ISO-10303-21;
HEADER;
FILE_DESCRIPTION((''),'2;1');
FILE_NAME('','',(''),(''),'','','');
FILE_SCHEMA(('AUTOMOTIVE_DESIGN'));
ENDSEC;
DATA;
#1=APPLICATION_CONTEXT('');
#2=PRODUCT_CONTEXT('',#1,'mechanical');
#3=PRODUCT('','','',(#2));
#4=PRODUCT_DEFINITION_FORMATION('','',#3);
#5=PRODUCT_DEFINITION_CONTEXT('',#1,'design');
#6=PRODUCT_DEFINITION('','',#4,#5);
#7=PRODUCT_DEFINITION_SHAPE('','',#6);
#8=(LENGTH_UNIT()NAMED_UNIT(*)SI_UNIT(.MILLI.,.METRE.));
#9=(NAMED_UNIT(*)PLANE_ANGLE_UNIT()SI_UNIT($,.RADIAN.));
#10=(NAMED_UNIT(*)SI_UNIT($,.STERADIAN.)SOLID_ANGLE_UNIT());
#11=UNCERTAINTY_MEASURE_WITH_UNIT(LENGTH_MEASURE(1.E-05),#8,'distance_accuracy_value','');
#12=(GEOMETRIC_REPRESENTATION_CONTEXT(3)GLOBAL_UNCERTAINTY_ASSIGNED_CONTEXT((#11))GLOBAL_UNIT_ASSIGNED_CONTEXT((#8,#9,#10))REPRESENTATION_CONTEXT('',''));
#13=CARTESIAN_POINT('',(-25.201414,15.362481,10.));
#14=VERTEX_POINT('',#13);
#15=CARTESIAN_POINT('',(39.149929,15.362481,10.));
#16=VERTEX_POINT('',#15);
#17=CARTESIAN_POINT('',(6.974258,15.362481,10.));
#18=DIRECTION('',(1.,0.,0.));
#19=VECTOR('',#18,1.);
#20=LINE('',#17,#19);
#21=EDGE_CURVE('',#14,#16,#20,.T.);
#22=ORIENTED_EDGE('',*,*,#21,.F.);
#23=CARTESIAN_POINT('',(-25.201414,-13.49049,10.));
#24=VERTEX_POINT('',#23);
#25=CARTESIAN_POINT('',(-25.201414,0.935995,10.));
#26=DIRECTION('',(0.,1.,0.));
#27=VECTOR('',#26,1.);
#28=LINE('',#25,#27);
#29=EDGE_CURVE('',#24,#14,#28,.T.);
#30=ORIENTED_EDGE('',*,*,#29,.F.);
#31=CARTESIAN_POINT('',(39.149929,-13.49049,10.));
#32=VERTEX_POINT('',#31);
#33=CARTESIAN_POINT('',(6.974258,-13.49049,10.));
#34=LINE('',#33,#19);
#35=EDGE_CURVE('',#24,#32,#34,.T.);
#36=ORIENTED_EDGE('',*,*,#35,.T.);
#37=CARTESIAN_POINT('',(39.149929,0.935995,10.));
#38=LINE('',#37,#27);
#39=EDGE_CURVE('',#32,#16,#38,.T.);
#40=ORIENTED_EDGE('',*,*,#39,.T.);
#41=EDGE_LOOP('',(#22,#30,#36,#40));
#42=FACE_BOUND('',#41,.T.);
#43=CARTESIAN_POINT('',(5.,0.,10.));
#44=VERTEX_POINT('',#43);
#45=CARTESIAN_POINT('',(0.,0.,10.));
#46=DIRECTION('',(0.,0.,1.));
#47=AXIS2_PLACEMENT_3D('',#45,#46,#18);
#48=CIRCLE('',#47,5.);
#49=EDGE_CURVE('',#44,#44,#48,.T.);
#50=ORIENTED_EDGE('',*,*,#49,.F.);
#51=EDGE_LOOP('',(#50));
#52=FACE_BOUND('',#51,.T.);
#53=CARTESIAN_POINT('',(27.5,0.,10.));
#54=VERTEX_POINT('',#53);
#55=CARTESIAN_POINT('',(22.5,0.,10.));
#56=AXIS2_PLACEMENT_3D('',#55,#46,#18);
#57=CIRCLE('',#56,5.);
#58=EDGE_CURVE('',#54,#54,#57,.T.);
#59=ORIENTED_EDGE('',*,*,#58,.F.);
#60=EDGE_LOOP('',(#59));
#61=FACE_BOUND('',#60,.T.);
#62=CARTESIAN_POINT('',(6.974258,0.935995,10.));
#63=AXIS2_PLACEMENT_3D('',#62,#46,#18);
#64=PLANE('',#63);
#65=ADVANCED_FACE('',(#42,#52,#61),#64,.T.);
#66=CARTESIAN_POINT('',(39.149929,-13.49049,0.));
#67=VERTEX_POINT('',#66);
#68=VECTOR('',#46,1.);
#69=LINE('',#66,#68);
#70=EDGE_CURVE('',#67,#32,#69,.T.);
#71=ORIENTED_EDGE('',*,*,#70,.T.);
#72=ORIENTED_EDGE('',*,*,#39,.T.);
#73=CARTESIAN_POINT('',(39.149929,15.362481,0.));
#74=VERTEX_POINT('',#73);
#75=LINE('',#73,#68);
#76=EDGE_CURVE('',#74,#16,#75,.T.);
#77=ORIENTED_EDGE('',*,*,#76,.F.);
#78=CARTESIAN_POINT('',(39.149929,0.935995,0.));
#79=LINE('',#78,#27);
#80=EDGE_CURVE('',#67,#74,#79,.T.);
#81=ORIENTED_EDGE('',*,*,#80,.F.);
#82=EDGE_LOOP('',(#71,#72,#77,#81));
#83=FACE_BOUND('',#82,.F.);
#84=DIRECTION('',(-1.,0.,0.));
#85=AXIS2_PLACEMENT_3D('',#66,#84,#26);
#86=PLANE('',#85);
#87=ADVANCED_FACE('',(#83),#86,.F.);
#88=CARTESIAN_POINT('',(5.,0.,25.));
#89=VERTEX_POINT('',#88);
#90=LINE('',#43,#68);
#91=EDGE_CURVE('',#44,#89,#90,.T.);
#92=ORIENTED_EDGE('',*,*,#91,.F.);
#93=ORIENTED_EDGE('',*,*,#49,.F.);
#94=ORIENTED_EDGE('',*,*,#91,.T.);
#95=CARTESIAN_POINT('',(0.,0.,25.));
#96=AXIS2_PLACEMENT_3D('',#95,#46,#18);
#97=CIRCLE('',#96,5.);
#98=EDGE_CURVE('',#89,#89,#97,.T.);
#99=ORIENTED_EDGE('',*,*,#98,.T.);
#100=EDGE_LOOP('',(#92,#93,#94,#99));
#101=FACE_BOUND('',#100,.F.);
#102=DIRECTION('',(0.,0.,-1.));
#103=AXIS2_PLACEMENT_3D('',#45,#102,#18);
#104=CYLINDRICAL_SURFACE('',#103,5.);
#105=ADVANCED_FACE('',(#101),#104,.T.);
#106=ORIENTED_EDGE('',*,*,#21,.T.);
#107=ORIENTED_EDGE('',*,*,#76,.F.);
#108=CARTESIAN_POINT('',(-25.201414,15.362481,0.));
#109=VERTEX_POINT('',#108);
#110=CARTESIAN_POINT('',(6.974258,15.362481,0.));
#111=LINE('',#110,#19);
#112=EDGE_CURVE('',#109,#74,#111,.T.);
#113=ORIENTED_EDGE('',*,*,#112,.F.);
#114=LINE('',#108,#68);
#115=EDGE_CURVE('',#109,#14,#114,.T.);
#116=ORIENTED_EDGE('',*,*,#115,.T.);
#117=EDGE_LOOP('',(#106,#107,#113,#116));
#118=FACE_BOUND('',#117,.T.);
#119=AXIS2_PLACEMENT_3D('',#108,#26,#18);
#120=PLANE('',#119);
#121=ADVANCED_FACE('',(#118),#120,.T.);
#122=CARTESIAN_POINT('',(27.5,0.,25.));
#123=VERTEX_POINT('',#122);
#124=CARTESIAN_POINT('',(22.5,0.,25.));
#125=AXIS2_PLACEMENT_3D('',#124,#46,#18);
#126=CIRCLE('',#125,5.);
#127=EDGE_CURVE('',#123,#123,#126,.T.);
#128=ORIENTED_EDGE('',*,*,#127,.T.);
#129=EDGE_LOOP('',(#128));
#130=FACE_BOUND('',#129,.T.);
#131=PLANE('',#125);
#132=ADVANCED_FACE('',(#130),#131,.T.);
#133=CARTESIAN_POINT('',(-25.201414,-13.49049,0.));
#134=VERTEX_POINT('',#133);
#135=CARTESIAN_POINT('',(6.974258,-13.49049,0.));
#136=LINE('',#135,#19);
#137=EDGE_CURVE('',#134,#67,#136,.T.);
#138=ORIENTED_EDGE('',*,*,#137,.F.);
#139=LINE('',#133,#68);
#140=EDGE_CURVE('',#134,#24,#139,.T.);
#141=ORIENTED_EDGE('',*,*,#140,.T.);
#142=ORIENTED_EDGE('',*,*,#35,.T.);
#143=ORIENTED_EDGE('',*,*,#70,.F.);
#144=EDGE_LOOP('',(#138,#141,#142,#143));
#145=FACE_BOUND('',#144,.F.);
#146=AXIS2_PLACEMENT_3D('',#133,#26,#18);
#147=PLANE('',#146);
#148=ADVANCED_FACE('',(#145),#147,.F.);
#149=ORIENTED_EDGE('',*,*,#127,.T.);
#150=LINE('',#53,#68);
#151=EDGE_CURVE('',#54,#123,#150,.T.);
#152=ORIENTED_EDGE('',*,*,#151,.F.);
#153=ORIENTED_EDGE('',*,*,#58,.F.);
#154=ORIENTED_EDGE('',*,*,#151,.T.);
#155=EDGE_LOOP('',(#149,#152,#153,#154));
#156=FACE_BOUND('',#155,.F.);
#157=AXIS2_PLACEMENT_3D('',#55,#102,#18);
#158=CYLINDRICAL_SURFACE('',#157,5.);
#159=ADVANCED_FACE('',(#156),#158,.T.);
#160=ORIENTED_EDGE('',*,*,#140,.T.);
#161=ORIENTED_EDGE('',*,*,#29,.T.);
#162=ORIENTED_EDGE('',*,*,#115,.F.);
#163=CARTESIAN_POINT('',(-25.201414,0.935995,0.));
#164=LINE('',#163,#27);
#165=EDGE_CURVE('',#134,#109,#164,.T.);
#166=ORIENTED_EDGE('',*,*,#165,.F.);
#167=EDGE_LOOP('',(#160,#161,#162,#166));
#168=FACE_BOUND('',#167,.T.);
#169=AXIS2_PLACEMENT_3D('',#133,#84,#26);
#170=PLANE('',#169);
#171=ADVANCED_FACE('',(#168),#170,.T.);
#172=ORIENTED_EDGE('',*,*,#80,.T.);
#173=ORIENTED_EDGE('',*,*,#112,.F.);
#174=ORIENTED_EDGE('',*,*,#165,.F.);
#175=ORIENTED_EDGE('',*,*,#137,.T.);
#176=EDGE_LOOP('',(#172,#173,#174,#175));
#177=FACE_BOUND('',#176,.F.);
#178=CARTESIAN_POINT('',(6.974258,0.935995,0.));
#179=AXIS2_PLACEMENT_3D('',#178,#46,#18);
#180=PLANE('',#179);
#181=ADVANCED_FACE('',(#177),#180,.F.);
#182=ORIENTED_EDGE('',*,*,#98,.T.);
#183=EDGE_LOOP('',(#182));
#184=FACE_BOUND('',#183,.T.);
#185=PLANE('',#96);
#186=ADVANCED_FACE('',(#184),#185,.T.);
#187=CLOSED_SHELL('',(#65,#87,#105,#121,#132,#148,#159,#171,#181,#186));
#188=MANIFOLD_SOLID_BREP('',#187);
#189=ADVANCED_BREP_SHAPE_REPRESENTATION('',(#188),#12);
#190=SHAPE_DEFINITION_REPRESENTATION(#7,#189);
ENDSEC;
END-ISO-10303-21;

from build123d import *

# Parameters (mm, degrees)
F0_W     = 64.351343
F0_H     = 28.852971
F0_R     = 5
F1_DEPTH = 10
F2_R     = 5
F3_DEPTH = 15


with BuildPart() as f1:
    # F0 (on Top) → F1 (new body)
    with BuildSketch(Plane.XY):
        with Locations((6.974258, 0.935995)):
            Rectangle(F0_W, F0_H)
        Circle(F0_R, mode=Mode.SUBTRACT)
        with Locations((30.753192, 0)):
            Circle(F0_R, mode=Mode.SUBTRACT)
        Circle(F0_R)
        with Locations((30.753192, 0)):
            Circle(F0_R)
    extrude(amount=F1_DEPTH)

    # F2 (on face) → F3 (join)
    with BuildSketch(Plane.XY.offset(10)):
        Circle(F2_R)
        with Locations((22.5, 0)):
            Circle(F2_R)
    extrude(amount=F3_DEPTH)


solid = f1.part
